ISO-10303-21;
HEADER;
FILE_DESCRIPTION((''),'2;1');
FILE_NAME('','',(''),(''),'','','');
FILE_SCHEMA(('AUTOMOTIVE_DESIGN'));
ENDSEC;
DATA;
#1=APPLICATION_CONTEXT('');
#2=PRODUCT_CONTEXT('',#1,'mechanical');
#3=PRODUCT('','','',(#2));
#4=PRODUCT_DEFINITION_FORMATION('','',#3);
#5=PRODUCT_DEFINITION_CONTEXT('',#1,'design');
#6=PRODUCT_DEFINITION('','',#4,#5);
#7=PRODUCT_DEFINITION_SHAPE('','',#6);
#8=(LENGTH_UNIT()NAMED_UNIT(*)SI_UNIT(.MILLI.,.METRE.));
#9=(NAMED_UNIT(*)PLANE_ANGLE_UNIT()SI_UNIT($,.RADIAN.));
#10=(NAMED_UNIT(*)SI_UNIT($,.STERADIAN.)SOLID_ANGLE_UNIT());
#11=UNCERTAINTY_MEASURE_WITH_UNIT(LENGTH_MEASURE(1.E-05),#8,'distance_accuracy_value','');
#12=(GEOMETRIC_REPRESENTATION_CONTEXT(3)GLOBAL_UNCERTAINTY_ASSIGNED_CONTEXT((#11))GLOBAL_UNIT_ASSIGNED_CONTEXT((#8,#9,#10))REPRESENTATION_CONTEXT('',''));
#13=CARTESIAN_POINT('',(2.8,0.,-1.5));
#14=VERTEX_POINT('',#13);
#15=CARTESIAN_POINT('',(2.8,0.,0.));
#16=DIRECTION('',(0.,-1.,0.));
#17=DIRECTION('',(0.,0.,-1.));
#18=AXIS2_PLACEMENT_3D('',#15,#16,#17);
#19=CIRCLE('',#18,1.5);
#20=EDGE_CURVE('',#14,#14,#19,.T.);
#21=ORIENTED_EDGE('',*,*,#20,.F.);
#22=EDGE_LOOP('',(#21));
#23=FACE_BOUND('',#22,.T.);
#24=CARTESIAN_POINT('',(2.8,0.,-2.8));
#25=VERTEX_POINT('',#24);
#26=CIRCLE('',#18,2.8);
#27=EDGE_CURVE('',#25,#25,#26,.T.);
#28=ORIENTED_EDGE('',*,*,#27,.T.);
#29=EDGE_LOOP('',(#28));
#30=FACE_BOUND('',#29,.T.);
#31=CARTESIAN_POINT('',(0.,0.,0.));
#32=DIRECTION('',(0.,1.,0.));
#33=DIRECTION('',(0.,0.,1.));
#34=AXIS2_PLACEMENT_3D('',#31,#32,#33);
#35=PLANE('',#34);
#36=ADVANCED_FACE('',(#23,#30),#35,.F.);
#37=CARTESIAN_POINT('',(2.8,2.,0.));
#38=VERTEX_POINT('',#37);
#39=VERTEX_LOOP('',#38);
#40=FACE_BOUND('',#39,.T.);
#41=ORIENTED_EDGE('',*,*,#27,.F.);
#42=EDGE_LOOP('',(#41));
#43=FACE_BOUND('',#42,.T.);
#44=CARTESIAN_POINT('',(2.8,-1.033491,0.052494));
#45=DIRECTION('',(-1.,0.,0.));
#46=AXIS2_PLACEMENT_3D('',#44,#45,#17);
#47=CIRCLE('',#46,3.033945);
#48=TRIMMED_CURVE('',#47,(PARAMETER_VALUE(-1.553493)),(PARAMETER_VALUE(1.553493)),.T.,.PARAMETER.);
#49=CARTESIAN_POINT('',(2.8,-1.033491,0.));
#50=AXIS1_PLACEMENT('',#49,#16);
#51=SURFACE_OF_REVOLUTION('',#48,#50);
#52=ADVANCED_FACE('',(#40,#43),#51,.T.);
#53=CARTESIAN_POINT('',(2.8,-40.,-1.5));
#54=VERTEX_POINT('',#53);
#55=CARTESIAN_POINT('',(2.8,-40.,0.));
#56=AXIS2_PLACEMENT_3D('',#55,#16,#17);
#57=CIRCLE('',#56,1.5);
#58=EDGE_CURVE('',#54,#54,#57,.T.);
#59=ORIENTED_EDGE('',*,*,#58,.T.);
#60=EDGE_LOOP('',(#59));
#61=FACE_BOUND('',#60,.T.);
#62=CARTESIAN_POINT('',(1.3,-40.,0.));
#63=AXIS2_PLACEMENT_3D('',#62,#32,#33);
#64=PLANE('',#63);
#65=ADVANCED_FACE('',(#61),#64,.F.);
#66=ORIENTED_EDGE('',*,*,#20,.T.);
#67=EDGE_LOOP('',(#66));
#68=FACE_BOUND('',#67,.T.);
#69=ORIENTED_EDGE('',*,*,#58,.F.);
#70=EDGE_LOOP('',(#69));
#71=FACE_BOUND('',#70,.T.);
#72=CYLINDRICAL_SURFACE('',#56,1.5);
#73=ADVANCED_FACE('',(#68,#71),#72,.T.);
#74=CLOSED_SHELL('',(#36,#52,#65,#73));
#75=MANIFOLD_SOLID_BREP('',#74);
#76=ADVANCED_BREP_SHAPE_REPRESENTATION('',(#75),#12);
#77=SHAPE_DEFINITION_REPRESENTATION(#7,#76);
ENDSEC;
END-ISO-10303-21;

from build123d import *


with BuildPart() as part:
    # 草图1 → 旋转1 (revolve)
    with BuildSketch(Plane.XY):
        with BuildLine():
            Line((0, 0), (1.3, 0))
            Line((1.3, 0), (1.3, -40))
            Line((1.3, -40), (2.8, -40))
            Line((2.8, -40), (2.8, 2))
            ThreePointArc((2.8, 2), (1.089048757, 1.435331741), (0, 0))
        make_face()
    revolve(axis=Axis((2.8, -40, 0), (0, 1, 0)))


solid = part.part
